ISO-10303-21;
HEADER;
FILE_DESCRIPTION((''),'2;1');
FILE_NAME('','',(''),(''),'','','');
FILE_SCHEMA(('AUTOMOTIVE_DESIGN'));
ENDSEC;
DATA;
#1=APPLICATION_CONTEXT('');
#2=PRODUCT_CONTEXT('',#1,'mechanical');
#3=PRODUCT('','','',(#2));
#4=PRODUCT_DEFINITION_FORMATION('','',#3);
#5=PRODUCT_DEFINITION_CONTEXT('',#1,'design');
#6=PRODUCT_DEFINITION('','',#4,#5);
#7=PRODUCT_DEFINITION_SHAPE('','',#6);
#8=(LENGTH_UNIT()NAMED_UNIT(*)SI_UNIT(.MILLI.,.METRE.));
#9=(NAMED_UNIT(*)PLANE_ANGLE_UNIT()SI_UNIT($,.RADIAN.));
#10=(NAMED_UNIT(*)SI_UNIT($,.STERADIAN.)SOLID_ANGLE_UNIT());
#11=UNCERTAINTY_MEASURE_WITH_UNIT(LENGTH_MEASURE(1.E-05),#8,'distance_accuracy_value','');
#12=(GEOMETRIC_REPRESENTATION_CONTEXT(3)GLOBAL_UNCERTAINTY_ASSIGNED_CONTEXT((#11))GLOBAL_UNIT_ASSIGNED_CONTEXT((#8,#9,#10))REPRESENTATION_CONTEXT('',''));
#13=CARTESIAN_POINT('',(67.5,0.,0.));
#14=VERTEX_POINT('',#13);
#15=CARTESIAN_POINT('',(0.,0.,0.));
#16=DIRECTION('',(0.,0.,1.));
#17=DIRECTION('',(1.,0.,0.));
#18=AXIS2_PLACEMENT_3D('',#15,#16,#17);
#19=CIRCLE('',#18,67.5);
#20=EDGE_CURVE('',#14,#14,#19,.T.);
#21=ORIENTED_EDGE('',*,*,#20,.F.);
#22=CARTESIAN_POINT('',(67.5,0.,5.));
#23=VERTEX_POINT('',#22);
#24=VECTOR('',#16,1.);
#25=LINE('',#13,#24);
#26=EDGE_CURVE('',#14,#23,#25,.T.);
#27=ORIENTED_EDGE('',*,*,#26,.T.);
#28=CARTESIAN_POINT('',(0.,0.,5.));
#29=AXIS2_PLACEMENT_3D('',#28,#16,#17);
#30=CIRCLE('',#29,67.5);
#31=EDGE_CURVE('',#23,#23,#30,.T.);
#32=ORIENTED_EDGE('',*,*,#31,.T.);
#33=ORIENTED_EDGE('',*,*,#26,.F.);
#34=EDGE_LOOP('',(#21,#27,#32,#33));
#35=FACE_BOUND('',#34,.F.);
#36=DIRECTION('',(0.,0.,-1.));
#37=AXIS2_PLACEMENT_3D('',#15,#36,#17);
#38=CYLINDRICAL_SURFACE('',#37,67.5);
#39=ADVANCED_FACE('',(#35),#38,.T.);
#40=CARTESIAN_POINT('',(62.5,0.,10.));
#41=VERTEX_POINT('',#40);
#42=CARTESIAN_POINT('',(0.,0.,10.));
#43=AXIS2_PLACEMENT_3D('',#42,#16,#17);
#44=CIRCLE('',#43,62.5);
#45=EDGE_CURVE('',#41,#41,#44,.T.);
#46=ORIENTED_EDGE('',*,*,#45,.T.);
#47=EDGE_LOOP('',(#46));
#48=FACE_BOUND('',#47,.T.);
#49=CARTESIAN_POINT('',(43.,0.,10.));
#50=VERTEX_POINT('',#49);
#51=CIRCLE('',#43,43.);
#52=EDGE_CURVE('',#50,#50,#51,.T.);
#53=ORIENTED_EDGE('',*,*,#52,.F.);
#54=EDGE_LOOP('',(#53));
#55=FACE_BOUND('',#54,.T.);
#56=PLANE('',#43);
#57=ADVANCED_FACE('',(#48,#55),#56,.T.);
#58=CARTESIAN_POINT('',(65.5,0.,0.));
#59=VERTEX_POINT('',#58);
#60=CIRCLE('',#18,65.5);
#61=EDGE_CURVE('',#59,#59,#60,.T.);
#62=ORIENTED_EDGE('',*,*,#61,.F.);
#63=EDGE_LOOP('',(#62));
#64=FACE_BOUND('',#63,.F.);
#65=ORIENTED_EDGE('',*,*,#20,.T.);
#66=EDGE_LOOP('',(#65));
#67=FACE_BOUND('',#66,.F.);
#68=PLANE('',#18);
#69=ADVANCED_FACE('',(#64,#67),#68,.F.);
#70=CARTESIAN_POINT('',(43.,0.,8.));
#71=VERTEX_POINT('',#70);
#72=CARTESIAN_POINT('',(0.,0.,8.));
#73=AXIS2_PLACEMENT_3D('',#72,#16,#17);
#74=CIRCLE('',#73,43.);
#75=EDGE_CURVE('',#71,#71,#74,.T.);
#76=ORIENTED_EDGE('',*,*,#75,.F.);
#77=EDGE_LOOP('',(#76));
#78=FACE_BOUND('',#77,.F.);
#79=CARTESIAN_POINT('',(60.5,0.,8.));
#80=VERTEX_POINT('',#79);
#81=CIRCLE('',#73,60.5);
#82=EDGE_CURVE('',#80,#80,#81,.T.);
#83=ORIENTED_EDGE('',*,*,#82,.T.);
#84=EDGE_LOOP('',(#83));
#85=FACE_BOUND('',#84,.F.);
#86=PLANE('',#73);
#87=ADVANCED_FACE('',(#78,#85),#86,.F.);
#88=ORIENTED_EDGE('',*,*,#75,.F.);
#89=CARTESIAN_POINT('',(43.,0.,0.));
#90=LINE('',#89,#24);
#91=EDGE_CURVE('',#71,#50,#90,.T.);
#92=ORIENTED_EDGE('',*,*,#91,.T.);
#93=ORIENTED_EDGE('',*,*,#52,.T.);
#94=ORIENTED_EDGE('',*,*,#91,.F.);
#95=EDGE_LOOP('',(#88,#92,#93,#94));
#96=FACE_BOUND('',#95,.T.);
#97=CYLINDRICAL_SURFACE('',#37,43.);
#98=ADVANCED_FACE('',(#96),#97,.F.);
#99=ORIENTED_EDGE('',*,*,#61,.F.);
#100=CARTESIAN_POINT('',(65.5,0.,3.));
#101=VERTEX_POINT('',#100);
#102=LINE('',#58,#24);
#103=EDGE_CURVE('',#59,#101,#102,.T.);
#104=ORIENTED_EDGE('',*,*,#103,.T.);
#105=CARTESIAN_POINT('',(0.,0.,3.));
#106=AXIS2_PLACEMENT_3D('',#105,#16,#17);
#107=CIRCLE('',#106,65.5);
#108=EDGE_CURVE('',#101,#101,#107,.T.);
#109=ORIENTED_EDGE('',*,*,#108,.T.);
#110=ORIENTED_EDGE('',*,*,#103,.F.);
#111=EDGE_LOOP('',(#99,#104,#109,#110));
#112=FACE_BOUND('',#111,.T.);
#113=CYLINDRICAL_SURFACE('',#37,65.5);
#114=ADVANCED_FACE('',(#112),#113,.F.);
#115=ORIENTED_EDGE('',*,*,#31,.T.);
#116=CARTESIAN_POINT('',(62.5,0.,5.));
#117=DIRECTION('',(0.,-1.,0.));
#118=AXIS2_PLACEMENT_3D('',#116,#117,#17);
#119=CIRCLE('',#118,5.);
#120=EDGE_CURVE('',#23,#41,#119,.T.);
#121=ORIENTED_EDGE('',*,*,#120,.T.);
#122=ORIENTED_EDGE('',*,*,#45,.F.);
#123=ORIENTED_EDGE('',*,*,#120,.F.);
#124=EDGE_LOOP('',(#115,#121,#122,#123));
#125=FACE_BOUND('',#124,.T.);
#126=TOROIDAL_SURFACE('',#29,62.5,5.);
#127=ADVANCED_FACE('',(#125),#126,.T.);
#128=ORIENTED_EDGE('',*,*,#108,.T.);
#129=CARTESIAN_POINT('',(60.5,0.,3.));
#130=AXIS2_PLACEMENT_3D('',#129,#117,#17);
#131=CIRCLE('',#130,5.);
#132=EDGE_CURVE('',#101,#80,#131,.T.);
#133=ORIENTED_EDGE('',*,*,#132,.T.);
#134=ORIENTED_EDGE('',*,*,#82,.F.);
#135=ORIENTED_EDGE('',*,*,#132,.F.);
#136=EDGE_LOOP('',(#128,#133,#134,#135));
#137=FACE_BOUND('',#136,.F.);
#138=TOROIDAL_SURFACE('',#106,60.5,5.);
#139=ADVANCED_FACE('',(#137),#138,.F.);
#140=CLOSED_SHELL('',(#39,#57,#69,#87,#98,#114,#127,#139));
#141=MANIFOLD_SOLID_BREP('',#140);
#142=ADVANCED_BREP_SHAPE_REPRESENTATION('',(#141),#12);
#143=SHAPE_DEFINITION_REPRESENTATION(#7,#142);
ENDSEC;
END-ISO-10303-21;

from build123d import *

# Parameters (mm, degrees)
F0_R     = 67.5
F0_R_2   = 65.5
F0_R_3   = 43
F1_DEPTH = 10
F2_DEPTH = 8
F3_R     = 5


with BuildPart() as f1:
    # F0 (on Top) → F1 (new body)
    with BuildSketch(Plane.XY):
        Circle(F0_R)
        Circle(F0_R_2, mode=Mode.SUBTRACT)
        Circle(F0_R_2)
        Circle(F0_R_3, mode=Mode.SUBTRACT)
    extrude(amount=F1_DEPTH)

    # F0 (on Top) → F2 (cut)
    with BuildSketch(Plane.XY):
        Circle(F0_R_2)
        Circle(F0_R_3, mode=Mode.SUBTRACT)
    extrude(amount=F2_DEPTH, mode=Mode.SUBTRACT)

    # F3
    f3_edges = [f1.edges().sort_by_distance(p)[0] for p in [
        (-65.5, 0, 8),
        (-67.5, 0, 10),
    ]]
    fillet(f3_edges, radius=F3_R)


solid = f1.part
